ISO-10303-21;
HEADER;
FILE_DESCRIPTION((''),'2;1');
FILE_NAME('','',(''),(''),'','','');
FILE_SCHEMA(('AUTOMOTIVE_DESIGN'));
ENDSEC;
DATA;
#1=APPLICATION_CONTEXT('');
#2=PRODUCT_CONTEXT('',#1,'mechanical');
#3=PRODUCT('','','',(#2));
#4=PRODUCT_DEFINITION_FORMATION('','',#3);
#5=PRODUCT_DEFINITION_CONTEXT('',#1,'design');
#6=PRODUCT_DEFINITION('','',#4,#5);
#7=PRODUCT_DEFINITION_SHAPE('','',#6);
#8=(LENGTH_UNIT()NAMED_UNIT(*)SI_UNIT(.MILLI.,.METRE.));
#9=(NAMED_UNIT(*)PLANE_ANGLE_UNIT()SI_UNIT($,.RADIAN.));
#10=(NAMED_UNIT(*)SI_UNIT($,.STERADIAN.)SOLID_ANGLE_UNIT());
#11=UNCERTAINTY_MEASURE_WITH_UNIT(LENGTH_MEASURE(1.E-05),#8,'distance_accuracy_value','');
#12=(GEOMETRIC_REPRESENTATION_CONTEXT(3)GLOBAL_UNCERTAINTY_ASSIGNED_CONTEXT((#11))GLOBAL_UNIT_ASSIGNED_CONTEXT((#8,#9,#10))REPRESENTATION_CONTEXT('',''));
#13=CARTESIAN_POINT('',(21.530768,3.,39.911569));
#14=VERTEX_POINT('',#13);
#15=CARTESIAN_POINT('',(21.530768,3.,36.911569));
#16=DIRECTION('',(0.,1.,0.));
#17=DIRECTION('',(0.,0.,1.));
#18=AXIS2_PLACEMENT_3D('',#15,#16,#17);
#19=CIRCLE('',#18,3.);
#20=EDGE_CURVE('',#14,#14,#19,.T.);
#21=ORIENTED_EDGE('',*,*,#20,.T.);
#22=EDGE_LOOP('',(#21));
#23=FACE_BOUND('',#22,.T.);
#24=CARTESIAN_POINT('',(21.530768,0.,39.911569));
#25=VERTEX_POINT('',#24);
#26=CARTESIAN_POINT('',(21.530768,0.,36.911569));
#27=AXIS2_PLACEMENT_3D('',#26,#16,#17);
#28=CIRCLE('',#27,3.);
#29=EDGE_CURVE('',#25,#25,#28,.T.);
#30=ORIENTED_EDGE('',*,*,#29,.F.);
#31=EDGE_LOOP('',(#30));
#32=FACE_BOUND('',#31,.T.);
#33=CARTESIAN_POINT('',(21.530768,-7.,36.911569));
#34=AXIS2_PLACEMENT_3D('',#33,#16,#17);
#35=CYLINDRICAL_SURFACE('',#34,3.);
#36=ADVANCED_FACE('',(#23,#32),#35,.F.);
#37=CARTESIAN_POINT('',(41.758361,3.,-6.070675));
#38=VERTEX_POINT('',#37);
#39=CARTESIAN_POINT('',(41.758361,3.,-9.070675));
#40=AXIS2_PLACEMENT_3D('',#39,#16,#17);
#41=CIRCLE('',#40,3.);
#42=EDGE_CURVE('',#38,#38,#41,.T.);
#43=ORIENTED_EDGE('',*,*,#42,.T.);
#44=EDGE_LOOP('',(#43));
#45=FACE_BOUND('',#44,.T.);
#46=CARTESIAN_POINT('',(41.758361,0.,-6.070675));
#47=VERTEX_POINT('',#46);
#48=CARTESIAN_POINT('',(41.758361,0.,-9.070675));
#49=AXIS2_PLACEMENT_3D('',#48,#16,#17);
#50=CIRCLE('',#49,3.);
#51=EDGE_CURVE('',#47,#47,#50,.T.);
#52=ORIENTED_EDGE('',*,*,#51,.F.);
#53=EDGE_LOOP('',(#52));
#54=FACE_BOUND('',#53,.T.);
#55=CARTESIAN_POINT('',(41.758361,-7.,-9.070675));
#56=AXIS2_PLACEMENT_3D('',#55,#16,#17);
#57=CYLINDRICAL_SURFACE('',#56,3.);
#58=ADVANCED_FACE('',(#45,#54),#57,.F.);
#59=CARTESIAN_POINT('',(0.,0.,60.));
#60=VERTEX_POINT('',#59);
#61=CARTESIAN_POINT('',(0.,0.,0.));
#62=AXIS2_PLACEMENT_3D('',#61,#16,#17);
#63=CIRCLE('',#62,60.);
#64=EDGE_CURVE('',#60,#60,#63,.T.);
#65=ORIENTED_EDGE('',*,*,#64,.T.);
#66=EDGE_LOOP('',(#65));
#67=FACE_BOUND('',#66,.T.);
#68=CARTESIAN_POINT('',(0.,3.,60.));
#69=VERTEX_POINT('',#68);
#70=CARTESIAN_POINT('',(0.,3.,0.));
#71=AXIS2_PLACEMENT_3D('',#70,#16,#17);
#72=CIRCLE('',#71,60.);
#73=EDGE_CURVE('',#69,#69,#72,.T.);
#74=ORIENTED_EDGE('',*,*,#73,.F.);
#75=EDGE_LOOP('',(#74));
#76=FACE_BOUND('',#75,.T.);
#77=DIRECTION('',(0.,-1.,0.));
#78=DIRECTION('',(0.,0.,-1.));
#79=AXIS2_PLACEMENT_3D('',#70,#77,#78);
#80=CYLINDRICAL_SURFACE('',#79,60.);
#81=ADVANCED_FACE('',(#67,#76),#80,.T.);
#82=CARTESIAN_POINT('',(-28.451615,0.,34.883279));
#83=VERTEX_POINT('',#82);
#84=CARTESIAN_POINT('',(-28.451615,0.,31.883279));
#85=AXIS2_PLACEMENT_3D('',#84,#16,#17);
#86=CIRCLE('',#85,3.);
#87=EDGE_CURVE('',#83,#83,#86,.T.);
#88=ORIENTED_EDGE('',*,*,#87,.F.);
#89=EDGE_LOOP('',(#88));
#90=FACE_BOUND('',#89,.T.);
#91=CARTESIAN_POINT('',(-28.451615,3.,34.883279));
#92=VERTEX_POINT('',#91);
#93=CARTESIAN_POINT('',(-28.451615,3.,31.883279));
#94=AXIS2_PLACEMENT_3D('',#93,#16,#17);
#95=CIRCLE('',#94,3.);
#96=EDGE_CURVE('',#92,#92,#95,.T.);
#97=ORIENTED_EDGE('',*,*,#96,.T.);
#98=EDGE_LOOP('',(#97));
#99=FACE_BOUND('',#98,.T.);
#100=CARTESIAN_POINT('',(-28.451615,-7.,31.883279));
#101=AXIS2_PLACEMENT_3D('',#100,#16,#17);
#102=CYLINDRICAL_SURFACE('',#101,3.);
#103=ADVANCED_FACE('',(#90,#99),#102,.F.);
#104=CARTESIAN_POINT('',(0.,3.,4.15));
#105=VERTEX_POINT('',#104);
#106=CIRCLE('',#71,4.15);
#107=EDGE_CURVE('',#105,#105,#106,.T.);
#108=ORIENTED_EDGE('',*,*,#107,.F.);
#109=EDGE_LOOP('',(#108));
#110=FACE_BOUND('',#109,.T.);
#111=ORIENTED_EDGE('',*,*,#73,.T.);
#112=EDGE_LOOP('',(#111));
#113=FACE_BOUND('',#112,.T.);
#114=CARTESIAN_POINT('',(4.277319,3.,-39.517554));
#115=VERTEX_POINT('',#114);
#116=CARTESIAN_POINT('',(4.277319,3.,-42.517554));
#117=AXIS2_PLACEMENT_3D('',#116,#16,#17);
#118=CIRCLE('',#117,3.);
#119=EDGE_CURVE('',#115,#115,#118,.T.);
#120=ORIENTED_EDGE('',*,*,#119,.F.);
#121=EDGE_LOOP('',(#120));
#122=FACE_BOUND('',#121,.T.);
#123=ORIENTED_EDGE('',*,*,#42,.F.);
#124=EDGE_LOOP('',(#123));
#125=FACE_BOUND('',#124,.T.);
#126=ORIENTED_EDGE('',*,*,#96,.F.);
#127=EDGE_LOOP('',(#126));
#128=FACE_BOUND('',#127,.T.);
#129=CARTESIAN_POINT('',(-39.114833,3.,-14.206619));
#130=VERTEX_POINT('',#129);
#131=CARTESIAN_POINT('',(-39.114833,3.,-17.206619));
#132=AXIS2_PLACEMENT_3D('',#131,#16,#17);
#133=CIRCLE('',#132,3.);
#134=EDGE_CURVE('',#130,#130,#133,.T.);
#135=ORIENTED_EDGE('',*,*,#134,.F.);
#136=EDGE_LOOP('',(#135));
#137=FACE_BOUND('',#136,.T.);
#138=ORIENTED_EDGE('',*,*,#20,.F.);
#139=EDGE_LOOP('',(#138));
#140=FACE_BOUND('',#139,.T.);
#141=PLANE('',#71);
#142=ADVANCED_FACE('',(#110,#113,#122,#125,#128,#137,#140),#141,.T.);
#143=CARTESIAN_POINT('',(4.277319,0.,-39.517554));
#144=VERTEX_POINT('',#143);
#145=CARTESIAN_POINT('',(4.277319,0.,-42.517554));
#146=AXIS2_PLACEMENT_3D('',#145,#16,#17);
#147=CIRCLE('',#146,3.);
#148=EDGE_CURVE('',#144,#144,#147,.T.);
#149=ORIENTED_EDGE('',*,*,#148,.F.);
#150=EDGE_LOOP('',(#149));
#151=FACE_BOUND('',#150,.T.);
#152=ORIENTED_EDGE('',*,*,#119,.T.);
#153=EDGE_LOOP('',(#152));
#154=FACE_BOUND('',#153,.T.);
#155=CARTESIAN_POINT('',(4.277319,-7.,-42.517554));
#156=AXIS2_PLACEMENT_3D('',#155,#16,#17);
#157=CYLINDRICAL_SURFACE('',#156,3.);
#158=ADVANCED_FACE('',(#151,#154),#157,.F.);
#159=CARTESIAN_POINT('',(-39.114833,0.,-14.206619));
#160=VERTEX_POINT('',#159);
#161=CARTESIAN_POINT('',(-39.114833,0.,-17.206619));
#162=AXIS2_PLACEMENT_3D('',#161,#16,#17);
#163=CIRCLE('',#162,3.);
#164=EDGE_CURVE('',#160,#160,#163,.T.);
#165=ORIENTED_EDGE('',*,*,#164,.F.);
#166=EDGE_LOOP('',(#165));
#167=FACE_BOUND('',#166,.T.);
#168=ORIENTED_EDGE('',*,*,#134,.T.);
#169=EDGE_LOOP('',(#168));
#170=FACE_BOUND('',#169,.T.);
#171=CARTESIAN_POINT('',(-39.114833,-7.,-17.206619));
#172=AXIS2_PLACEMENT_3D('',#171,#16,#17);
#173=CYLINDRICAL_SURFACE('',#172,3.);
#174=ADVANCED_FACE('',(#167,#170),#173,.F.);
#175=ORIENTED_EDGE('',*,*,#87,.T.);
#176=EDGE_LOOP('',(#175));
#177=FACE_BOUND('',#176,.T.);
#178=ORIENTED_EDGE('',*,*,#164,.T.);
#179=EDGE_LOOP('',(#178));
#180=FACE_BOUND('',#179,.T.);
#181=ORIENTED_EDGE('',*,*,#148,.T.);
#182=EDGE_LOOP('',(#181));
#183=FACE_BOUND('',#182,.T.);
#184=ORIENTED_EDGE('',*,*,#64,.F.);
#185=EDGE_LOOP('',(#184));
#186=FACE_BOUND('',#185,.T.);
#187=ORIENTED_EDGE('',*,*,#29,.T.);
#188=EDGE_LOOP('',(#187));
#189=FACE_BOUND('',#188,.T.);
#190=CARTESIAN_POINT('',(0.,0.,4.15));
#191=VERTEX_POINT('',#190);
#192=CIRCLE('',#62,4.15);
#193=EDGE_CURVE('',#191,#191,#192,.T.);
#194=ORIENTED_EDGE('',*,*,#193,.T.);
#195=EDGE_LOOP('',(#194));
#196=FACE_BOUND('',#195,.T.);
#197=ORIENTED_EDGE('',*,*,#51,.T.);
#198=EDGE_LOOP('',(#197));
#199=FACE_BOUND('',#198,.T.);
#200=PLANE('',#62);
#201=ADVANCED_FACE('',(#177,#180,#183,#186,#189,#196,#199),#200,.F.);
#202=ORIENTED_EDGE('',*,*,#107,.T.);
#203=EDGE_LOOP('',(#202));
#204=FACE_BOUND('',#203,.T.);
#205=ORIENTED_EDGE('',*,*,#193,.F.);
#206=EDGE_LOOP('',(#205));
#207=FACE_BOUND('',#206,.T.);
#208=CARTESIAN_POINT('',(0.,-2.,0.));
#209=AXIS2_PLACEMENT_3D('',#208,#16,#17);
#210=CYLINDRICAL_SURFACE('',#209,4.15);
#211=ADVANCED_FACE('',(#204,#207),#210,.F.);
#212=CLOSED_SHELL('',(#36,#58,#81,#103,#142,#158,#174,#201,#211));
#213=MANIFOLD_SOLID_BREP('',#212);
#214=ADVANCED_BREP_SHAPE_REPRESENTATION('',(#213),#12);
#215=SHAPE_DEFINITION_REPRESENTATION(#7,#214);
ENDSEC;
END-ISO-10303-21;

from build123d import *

# Parameters (mm, degrees)
SKETCH1_R           = 60
BOSS_EXTRUDE1_DEPTH = 3
SKETCH2_R           = 4.15
CUT_EXTRUDE1_DEPTH  = 5
SKETCH3_R           = 3
CUT_EXTRUDE2_DEPTH  = 10


with BuildPart() as part:
    # Sketch1 → Boss-Extrude1 (new body)
    with BuildSketch(Plane(origin=(0, 0, 0), x_dir=(1, 0, 0), z_dir=(0, 1, 0))):
        with Locations(Location((0, 0, 0), (0, 0, 270))):
            Circle(SKETCH1_R)
    extrude(amount=BOSS_EXTRUDE1_DEPTH)

    # Sketch2 → Cut-Extrude1 (cut)
    with BuildSketch(Plane(origin=(0, 3, 0), x_dir=(1, 0, 0), z_dir=(0, 1, 0))):
        with Locations(Location((0, 0, 0), (0, 0, 270))):
            Circle(SKETCH2_R)
    extrude(amount=-CUT_EXTRUDE1_DEPTH, mode=Mode.SUBTRACT)

    # Sketch3 → Cut-Extrude2 (cut)
    with BuildSketch(Plane(origin=(0, 3, 0), x_dir=(1, 0, 0), z_dir=(0, 1, 0))):
        with Locations(Location((-28.451614764, -31.883278826, 0), (0, 0, 270))):
            Circle(SKETCH3_R)
        with Locations(Location((-39.114832567, 17.206618627, 0), (0, 0, 270))):
            Circle(SKETCH3_R)
        with Locations(Location((4.277318773, 42.517553969, 0), (0, 0, 270))):
            Circle(SKETCH3_R)
        with Locations(Location((41.75836095, 9.070674844, 0), (0, 0, 270))):
            Circle(SKETCH3_R)
        with Locations(Location((21.530767608, -36.911568614, 0), (0, 0, 270))):
            Circle(SKETCH3_R)
    extrude(amount=-CUT_EXTRUDE2_DEPTH, mode=Mode.SUBTRACT)


solid = part.part
